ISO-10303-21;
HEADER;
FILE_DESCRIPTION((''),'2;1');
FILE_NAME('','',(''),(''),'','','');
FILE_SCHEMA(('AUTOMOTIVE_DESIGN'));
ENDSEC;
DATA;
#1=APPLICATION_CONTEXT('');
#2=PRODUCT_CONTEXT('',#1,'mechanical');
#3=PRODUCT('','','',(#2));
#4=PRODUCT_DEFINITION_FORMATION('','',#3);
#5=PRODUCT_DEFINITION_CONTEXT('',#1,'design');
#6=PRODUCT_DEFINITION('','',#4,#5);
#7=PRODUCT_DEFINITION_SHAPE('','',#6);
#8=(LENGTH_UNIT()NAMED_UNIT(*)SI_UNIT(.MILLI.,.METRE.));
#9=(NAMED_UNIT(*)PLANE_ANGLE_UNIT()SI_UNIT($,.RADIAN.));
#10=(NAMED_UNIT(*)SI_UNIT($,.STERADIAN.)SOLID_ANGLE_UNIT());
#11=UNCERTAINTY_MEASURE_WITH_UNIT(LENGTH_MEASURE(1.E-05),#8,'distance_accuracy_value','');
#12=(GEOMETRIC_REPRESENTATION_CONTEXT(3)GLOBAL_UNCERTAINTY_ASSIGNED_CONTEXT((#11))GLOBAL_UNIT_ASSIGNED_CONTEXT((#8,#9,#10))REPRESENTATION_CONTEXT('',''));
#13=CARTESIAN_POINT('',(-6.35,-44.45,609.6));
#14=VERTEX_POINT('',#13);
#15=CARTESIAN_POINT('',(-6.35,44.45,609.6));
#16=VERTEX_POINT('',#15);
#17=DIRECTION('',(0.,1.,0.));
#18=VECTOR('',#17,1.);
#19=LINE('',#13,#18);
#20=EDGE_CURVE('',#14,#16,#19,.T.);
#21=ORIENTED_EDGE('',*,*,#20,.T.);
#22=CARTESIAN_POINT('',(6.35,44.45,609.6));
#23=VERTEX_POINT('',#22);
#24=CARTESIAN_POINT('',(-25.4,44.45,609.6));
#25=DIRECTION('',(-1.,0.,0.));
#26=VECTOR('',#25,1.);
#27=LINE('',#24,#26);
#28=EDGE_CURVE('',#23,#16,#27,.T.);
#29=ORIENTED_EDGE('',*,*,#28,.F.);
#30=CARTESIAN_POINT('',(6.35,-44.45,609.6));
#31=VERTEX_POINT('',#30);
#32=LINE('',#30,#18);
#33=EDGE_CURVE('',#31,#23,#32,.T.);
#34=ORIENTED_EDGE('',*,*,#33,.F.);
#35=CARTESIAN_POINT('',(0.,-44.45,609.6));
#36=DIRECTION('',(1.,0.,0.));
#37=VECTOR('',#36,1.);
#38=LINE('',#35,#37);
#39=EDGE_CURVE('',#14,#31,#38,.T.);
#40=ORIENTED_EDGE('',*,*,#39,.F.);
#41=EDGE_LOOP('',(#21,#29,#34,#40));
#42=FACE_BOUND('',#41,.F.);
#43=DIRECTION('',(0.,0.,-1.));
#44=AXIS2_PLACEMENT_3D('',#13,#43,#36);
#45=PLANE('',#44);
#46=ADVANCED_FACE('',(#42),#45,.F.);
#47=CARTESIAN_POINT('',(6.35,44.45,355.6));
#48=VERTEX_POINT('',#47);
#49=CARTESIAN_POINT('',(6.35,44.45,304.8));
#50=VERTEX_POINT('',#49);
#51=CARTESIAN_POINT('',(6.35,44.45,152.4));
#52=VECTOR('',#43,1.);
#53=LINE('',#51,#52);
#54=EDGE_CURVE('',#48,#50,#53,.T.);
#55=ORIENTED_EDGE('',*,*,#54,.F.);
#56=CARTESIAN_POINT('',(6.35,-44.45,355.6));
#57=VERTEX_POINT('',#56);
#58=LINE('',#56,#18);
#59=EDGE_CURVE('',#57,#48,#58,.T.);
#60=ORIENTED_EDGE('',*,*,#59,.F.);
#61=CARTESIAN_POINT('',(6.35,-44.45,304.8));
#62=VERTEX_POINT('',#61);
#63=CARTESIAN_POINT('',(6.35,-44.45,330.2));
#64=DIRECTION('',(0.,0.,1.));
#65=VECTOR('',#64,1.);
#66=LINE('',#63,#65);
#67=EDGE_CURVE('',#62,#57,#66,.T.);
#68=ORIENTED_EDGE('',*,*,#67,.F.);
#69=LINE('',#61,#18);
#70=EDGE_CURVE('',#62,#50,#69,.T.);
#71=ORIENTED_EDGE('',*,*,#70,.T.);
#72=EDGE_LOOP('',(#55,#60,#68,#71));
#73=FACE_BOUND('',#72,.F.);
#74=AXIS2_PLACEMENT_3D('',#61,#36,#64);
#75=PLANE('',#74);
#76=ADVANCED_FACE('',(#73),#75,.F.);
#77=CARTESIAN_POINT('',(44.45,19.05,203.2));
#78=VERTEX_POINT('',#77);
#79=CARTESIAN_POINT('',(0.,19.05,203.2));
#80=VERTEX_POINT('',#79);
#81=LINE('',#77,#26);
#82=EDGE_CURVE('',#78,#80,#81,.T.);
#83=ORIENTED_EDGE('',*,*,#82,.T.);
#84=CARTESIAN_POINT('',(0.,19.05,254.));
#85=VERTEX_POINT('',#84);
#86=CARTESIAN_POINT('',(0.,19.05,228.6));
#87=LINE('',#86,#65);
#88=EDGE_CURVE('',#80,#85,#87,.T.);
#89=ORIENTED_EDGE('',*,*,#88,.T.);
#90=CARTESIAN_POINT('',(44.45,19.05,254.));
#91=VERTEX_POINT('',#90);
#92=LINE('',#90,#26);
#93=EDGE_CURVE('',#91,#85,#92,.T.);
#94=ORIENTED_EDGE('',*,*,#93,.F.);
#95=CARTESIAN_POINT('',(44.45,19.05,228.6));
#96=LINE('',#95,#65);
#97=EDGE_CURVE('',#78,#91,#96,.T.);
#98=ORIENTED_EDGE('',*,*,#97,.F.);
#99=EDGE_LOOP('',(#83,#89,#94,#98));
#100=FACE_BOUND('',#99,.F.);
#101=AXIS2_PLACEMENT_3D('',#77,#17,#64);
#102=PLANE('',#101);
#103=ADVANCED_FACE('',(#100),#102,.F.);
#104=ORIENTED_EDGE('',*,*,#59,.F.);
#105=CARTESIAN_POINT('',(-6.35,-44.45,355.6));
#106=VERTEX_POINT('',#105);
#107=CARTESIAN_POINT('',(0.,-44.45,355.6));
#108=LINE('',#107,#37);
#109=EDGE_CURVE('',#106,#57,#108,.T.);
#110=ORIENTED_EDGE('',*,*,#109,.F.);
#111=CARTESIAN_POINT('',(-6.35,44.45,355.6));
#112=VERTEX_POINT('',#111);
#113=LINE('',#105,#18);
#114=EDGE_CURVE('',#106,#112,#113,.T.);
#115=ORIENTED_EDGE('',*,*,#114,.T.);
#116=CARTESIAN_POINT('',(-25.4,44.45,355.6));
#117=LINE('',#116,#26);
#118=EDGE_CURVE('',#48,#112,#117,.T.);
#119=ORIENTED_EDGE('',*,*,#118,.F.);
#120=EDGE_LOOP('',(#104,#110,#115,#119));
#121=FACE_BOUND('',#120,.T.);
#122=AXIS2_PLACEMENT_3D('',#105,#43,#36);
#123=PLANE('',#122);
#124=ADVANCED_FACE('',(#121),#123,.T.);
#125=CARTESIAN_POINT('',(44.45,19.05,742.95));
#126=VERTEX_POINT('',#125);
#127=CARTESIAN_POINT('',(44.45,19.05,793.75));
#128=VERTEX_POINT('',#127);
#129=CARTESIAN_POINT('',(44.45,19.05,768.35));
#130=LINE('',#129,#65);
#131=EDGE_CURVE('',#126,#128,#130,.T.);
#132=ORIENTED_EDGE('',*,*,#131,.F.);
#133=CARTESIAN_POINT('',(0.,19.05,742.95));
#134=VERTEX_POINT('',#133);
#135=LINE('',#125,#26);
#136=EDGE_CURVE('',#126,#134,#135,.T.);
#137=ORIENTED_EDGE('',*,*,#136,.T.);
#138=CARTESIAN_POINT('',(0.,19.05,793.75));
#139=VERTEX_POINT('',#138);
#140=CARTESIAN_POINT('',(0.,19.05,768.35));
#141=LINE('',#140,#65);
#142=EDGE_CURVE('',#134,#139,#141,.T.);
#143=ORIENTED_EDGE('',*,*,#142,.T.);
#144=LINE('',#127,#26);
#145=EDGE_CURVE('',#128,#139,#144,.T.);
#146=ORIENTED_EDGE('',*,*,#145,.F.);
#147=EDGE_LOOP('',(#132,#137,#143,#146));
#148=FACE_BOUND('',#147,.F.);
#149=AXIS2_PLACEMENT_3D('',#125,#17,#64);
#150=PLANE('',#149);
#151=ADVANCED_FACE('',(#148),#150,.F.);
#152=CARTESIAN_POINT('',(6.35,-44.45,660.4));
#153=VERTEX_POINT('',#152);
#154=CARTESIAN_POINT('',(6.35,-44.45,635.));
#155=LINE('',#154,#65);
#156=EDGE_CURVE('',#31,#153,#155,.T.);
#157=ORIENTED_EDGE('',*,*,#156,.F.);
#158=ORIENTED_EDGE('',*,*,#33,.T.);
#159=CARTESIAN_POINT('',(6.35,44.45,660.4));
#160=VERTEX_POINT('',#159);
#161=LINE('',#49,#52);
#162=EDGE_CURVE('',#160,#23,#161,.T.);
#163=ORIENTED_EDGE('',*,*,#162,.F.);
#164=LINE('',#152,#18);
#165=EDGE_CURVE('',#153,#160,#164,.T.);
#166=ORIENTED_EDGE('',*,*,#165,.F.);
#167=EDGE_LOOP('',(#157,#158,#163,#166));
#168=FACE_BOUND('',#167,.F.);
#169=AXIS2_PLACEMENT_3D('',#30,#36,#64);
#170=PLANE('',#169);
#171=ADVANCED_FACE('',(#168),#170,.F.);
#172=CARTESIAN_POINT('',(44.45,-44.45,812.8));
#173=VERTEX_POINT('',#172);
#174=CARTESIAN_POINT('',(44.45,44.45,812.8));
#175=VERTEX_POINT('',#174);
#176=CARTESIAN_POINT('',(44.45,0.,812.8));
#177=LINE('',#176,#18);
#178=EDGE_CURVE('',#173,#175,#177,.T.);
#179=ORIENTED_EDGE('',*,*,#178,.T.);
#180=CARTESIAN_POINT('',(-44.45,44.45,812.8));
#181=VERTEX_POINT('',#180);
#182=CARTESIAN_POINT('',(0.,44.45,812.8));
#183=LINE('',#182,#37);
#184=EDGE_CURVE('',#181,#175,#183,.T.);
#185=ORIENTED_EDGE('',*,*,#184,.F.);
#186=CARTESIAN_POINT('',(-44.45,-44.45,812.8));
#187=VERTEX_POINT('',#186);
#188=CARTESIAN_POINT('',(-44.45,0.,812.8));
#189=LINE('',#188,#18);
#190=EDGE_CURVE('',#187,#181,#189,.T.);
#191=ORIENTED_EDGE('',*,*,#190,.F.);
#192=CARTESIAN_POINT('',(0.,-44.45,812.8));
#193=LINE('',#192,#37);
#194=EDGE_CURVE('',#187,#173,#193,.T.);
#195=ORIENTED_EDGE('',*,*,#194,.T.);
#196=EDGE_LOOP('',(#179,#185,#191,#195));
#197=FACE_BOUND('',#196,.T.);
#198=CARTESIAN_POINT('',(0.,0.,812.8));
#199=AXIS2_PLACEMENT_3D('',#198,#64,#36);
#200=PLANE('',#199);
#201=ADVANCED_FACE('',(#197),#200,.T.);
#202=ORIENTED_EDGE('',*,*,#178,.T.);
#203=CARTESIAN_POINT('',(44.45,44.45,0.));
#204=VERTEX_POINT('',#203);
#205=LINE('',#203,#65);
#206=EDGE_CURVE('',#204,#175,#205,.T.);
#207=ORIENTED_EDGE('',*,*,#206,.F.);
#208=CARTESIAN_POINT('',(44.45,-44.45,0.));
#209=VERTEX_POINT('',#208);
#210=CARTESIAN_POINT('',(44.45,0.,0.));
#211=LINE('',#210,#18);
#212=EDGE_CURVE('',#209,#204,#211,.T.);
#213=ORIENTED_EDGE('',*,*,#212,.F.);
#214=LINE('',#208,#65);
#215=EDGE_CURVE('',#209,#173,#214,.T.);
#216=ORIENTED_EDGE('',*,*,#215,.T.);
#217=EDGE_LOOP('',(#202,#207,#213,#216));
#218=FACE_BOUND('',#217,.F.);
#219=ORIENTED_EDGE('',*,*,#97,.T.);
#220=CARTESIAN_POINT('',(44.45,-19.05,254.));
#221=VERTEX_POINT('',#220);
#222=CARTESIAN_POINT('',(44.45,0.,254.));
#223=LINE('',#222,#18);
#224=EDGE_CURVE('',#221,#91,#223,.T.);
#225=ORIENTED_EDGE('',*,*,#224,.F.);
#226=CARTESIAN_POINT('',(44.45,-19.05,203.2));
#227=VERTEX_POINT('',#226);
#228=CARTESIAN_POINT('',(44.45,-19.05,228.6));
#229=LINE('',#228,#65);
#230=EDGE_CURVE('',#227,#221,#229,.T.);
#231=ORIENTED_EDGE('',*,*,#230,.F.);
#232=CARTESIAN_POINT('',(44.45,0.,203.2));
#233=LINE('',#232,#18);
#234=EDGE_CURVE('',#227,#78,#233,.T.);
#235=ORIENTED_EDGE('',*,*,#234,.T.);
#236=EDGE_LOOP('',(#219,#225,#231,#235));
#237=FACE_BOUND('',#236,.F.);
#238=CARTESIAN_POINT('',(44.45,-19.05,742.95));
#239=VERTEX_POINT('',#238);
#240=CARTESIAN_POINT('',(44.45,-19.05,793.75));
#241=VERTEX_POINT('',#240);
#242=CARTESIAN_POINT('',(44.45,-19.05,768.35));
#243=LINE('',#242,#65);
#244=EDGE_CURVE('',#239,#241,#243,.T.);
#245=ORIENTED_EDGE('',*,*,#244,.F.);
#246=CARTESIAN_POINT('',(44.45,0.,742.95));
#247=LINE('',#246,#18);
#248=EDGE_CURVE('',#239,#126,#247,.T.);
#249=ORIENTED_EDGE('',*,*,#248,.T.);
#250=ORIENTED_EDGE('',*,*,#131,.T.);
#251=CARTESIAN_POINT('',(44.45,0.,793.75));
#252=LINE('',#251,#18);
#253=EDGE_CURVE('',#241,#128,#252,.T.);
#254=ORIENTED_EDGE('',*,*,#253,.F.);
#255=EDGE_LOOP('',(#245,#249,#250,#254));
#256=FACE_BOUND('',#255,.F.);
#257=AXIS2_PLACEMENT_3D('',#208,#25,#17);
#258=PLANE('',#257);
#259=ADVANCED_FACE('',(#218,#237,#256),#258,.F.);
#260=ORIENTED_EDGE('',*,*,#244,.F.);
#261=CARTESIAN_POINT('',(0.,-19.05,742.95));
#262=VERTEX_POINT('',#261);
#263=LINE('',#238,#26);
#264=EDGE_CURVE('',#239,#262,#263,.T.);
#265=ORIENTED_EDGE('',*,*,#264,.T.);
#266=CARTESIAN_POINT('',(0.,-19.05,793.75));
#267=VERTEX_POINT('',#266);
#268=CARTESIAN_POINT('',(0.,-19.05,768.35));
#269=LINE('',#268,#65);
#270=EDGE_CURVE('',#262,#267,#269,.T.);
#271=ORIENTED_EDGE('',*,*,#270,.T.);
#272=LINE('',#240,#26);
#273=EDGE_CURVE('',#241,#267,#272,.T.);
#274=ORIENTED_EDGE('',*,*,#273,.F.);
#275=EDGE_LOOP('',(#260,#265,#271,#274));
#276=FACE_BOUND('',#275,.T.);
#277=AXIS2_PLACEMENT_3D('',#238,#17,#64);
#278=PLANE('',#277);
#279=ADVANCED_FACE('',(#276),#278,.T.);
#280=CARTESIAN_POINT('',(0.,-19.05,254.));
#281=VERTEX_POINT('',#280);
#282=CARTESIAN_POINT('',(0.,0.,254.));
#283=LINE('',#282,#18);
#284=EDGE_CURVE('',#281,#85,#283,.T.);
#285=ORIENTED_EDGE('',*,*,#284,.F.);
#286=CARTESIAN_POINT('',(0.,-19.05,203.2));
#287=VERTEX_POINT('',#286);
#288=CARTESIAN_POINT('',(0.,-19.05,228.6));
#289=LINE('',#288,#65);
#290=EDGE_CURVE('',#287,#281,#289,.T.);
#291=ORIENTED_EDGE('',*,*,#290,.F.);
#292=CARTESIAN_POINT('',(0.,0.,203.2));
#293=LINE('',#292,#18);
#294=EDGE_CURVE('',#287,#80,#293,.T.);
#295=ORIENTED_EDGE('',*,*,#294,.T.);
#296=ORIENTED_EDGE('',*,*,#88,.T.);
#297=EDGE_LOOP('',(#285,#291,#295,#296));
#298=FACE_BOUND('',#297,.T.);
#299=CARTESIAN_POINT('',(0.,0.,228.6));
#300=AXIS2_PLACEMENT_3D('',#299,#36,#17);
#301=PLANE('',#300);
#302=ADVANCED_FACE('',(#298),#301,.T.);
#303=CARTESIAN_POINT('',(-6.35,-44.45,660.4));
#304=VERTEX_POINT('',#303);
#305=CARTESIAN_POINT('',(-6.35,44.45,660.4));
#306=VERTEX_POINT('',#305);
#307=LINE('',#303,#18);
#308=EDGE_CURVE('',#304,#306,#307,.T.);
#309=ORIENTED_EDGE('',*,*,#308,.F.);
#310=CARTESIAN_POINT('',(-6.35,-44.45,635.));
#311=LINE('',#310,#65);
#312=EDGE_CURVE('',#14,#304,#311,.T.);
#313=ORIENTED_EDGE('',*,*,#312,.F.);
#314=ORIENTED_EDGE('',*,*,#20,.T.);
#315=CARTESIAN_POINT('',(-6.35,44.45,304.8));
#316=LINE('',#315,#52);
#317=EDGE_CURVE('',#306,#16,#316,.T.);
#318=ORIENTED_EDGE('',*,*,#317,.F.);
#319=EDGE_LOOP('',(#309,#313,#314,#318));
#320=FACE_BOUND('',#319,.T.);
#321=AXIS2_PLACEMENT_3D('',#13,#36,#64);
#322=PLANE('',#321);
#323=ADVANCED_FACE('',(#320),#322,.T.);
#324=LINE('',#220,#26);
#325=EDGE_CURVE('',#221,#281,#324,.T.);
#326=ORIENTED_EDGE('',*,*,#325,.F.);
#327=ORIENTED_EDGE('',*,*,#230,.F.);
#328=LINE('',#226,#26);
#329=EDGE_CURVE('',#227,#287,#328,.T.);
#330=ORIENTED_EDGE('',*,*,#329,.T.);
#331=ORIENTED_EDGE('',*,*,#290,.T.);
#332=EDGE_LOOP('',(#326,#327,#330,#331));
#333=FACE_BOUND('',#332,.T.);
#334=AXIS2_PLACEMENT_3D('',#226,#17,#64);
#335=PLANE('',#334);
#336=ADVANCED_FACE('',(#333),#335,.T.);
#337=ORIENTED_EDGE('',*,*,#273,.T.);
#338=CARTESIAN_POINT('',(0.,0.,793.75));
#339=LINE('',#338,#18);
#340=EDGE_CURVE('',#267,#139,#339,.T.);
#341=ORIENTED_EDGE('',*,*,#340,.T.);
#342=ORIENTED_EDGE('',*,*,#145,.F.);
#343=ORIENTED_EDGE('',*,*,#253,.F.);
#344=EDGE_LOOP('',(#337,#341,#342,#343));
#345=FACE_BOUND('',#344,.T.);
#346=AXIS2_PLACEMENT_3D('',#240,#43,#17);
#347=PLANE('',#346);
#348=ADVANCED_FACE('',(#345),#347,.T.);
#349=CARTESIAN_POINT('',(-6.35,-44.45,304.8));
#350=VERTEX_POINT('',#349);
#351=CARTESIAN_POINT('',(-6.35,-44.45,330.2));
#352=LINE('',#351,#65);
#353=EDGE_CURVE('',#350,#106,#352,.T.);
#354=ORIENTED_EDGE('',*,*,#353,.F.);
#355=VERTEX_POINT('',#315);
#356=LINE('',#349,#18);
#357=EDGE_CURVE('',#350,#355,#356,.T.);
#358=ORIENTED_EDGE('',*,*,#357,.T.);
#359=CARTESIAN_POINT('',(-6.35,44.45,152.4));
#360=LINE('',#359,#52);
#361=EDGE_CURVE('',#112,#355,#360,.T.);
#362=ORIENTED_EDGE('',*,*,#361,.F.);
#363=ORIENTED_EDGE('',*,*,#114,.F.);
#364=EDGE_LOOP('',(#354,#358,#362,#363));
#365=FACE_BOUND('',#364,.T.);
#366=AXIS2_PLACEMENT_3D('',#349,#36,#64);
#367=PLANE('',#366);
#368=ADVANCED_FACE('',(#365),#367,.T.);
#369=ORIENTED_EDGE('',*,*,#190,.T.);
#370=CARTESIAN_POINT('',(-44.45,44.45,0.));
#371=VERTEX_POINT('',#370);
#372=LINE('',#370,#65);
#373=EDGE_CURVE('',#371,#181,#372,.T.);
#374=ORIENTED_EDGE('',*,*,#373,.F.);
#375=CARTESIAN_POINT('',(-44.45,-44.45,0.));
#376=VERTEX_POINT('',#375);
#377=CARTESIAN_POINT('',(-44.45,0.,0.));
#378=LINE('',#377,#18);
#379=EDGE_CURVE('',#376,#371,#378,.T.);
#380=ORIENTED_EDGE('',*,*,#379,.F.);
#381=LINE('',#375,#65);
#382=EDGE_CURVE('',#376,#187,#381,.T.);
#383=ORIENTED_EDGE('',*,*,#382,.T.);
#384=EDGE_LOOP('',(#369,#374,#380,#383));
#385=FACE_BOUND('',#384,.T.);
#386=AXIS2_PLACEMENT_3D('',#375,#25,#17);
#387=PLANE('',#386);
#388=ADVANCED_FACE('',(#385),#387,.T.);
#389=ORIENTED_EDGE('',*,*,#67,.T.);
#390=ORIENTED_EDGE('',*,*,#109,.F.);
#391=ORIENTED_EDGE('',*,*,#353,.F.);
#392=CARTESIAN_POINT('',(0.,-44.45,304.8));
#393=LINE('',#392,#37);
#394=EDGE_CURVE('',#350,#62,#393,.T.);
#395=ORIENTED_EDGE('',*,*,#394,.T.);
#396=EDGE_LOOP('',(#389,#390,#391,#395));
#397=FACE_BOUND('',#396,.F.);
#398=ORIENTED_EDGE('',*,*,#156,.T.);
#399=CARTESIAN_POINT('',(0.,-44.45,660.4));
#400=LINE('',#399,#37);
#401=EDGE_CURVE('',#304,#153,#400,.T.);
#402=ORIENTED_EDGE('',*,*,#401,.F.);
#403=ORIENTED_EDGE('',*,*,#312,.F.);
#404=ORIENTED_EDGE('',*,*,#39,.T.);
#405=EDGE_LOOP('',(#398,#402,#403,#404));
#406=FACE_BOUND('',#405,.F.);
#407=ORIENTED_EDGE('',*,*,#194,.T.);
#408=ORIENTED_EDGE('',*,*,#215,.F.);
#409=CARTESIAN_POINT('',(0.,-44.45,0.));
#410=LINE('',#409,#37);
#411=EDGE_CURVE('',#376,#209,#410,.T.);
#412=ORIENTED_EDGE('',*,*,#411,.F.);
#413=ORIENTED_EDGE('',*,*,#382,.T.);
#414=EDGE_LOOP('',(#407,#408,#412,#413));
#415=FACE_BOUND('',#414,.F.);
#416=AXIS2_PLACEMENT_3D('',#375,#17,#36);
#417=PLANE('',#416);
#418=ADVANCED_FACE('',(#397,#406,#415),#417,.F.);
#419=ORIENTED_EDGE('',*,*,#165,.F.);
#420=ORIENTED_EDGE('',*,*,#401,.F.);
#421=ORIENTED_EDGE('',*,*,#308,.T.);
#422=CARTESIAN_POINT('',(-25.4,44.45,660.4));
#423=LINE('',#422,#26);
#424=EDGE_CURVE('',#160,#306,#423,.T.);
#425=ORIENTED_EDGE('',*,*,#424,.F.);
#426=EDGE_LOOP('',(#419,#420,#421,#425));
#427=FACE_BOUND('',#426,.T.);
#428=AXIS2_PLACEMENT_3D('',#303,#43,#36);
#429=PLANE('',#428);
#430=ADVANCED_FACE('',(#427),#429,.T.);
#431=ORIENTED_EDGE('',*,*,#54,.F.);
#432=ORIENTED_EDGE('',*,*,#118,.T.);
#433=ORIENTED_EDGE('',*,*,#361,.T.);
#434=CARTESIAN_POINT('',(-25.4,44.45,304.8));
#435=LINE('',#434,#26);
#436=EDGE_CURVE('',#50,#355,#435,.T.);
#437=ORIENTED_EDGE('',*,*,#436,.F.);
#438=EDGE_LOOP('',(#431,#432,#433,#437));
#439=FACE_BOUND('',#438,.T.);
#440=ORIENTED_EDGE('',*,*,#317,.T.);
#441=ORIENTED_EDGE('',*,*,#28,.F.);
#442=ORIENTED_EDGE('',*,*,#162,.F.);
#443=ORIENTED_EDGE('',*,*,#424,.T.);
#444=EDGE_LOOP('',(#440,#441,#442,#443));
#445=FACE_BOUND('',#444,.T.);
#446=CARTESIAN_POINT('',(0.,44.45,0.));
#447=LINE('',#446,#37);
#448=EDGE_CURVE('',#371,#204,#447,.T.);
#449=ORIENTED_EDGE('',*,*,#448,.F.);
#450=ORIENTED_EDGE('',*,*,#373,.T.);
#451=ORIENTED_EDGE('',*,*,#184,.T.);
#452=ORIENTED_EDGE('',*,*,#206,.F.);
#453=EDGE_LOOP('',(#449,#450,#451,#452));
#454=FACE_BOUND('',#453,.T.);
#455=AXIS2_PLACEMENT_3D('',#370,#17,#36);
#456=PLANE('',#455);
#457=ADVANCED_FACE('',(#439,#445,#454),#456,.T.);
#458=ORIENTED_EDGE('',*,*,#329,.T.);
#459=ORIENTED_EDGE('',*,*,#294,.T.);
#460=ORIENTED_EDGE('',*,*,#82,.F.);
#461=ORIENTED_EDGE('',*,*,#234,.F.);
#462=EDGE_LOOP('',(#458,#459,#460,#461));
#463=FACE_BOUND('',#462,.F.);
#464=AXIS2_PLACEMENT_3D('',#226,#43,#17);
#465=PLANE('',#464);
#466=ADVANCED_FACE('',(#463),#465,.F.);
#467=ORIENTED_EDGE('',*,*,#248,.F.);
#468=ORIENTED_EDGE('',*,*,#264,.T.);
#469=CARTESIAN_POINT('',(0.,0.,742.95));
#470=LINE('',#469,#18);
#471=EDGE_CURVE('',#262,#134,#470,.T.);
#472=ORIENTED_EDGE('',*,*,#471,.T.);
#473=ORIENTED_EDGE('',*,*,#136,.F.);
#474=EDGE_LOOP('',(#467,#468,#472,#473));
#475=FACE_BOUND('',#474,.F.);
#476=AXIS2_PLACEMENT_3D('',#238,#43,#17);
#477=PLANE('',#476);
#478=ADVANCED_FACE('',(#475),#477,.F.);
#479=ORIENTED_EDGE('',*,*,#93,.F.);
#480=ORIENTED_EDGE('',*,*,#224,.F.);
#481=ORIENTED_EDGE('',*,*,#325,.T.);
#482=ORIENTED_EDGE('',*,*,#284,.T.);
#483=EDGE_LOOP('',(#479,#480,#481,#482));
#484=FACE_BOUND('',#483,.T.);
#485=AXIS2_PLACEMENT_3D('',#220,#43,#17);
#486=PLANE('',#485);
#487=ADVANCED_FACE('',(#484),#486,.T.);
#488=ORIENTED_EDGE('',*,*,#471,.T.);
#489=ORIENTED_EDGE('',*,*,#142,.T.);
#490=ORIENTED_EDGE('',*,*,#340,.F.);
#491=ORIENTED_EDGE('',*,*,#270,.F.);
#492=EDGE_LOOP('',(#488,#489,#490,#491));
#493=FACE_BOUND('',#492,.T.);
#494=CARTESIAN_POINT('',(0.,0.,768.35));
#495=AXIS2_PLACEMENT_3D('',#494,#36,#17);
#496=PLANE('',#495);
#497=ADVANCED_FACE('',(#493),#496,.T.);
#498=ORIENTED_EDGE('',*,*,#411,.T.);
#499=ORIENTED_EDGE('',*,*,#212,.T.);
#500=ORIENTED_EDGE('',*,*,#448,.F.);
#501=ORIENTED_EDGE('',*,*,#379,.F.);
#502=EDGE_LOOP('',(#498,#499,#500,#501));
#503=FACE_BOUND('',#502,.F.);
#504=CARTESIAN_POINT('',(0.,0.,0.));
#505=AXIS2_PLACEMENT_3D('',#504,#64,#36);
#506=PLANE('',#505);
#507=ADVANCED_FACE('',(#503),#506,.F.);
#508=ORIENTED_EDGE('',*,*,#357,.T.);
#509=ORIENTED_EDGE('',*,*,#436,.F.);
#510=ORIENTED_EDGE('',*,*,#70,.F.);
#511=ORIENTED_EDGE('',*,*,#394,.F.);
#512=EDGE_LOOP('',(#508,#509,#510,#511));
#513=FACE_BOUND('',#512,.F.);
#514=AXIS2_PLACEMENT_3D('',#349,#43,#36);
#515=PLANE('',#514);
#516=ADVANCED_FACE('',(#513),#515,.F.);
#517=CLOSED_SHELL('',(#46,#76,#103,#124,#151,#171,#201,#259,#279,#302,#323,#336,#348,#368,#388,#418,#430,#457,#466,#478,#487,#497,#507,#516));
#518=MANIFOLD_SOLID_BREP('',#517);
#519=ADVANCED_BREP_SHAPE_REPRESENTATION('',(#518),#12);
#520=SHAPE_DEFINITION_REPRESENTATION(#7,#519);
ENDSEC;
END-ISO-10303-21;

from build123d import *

# Parameters (mm, degrees)
F0_W     = 88.9
F0_H     = 88.9
F1_DEPTH = 812.8
F2_W     = 38.1
F2_H     = 50.8
F3_DEPTH = 44.45
F4_W     = 12.7
F4_H     = 50.8
F5_DEPTH = 88.901


with BuildPart() as f1:
    # F0 (on Top) → F1 (new body)
    with BuildSketch(Plane.XY):
        Rectangle(F0_W, F0_H)
    extrude(amount=F1_DEPTH)

    # F2 (on face) → F3 (cut)
    with BuildSketch(Plane.YZ.offset(44.45)):
        with Locations((0, 768.35)):
            Rectangle(F2_W, F2_H)
        with Locations((0, 228.6)):
            Rectangle(F2_W, F2_H)
    extrude(amount=-F3_DEPTH, mode=Mode.SUBTRACT)

    # F4 (on face) → F5 (cut, through all)
    with BuildSketch(Plane.XZ.offset(44.45)):
        with Locations((0, 635)):
            Rectangle(F4_W, F4_H)
        with Locations((0, 330.2)):
            Rectangle(F4_W, F4_H)
    extrude(amount=-F5_DEPTH, mode=Mode.SUBTRACT)


solid = f1.part
